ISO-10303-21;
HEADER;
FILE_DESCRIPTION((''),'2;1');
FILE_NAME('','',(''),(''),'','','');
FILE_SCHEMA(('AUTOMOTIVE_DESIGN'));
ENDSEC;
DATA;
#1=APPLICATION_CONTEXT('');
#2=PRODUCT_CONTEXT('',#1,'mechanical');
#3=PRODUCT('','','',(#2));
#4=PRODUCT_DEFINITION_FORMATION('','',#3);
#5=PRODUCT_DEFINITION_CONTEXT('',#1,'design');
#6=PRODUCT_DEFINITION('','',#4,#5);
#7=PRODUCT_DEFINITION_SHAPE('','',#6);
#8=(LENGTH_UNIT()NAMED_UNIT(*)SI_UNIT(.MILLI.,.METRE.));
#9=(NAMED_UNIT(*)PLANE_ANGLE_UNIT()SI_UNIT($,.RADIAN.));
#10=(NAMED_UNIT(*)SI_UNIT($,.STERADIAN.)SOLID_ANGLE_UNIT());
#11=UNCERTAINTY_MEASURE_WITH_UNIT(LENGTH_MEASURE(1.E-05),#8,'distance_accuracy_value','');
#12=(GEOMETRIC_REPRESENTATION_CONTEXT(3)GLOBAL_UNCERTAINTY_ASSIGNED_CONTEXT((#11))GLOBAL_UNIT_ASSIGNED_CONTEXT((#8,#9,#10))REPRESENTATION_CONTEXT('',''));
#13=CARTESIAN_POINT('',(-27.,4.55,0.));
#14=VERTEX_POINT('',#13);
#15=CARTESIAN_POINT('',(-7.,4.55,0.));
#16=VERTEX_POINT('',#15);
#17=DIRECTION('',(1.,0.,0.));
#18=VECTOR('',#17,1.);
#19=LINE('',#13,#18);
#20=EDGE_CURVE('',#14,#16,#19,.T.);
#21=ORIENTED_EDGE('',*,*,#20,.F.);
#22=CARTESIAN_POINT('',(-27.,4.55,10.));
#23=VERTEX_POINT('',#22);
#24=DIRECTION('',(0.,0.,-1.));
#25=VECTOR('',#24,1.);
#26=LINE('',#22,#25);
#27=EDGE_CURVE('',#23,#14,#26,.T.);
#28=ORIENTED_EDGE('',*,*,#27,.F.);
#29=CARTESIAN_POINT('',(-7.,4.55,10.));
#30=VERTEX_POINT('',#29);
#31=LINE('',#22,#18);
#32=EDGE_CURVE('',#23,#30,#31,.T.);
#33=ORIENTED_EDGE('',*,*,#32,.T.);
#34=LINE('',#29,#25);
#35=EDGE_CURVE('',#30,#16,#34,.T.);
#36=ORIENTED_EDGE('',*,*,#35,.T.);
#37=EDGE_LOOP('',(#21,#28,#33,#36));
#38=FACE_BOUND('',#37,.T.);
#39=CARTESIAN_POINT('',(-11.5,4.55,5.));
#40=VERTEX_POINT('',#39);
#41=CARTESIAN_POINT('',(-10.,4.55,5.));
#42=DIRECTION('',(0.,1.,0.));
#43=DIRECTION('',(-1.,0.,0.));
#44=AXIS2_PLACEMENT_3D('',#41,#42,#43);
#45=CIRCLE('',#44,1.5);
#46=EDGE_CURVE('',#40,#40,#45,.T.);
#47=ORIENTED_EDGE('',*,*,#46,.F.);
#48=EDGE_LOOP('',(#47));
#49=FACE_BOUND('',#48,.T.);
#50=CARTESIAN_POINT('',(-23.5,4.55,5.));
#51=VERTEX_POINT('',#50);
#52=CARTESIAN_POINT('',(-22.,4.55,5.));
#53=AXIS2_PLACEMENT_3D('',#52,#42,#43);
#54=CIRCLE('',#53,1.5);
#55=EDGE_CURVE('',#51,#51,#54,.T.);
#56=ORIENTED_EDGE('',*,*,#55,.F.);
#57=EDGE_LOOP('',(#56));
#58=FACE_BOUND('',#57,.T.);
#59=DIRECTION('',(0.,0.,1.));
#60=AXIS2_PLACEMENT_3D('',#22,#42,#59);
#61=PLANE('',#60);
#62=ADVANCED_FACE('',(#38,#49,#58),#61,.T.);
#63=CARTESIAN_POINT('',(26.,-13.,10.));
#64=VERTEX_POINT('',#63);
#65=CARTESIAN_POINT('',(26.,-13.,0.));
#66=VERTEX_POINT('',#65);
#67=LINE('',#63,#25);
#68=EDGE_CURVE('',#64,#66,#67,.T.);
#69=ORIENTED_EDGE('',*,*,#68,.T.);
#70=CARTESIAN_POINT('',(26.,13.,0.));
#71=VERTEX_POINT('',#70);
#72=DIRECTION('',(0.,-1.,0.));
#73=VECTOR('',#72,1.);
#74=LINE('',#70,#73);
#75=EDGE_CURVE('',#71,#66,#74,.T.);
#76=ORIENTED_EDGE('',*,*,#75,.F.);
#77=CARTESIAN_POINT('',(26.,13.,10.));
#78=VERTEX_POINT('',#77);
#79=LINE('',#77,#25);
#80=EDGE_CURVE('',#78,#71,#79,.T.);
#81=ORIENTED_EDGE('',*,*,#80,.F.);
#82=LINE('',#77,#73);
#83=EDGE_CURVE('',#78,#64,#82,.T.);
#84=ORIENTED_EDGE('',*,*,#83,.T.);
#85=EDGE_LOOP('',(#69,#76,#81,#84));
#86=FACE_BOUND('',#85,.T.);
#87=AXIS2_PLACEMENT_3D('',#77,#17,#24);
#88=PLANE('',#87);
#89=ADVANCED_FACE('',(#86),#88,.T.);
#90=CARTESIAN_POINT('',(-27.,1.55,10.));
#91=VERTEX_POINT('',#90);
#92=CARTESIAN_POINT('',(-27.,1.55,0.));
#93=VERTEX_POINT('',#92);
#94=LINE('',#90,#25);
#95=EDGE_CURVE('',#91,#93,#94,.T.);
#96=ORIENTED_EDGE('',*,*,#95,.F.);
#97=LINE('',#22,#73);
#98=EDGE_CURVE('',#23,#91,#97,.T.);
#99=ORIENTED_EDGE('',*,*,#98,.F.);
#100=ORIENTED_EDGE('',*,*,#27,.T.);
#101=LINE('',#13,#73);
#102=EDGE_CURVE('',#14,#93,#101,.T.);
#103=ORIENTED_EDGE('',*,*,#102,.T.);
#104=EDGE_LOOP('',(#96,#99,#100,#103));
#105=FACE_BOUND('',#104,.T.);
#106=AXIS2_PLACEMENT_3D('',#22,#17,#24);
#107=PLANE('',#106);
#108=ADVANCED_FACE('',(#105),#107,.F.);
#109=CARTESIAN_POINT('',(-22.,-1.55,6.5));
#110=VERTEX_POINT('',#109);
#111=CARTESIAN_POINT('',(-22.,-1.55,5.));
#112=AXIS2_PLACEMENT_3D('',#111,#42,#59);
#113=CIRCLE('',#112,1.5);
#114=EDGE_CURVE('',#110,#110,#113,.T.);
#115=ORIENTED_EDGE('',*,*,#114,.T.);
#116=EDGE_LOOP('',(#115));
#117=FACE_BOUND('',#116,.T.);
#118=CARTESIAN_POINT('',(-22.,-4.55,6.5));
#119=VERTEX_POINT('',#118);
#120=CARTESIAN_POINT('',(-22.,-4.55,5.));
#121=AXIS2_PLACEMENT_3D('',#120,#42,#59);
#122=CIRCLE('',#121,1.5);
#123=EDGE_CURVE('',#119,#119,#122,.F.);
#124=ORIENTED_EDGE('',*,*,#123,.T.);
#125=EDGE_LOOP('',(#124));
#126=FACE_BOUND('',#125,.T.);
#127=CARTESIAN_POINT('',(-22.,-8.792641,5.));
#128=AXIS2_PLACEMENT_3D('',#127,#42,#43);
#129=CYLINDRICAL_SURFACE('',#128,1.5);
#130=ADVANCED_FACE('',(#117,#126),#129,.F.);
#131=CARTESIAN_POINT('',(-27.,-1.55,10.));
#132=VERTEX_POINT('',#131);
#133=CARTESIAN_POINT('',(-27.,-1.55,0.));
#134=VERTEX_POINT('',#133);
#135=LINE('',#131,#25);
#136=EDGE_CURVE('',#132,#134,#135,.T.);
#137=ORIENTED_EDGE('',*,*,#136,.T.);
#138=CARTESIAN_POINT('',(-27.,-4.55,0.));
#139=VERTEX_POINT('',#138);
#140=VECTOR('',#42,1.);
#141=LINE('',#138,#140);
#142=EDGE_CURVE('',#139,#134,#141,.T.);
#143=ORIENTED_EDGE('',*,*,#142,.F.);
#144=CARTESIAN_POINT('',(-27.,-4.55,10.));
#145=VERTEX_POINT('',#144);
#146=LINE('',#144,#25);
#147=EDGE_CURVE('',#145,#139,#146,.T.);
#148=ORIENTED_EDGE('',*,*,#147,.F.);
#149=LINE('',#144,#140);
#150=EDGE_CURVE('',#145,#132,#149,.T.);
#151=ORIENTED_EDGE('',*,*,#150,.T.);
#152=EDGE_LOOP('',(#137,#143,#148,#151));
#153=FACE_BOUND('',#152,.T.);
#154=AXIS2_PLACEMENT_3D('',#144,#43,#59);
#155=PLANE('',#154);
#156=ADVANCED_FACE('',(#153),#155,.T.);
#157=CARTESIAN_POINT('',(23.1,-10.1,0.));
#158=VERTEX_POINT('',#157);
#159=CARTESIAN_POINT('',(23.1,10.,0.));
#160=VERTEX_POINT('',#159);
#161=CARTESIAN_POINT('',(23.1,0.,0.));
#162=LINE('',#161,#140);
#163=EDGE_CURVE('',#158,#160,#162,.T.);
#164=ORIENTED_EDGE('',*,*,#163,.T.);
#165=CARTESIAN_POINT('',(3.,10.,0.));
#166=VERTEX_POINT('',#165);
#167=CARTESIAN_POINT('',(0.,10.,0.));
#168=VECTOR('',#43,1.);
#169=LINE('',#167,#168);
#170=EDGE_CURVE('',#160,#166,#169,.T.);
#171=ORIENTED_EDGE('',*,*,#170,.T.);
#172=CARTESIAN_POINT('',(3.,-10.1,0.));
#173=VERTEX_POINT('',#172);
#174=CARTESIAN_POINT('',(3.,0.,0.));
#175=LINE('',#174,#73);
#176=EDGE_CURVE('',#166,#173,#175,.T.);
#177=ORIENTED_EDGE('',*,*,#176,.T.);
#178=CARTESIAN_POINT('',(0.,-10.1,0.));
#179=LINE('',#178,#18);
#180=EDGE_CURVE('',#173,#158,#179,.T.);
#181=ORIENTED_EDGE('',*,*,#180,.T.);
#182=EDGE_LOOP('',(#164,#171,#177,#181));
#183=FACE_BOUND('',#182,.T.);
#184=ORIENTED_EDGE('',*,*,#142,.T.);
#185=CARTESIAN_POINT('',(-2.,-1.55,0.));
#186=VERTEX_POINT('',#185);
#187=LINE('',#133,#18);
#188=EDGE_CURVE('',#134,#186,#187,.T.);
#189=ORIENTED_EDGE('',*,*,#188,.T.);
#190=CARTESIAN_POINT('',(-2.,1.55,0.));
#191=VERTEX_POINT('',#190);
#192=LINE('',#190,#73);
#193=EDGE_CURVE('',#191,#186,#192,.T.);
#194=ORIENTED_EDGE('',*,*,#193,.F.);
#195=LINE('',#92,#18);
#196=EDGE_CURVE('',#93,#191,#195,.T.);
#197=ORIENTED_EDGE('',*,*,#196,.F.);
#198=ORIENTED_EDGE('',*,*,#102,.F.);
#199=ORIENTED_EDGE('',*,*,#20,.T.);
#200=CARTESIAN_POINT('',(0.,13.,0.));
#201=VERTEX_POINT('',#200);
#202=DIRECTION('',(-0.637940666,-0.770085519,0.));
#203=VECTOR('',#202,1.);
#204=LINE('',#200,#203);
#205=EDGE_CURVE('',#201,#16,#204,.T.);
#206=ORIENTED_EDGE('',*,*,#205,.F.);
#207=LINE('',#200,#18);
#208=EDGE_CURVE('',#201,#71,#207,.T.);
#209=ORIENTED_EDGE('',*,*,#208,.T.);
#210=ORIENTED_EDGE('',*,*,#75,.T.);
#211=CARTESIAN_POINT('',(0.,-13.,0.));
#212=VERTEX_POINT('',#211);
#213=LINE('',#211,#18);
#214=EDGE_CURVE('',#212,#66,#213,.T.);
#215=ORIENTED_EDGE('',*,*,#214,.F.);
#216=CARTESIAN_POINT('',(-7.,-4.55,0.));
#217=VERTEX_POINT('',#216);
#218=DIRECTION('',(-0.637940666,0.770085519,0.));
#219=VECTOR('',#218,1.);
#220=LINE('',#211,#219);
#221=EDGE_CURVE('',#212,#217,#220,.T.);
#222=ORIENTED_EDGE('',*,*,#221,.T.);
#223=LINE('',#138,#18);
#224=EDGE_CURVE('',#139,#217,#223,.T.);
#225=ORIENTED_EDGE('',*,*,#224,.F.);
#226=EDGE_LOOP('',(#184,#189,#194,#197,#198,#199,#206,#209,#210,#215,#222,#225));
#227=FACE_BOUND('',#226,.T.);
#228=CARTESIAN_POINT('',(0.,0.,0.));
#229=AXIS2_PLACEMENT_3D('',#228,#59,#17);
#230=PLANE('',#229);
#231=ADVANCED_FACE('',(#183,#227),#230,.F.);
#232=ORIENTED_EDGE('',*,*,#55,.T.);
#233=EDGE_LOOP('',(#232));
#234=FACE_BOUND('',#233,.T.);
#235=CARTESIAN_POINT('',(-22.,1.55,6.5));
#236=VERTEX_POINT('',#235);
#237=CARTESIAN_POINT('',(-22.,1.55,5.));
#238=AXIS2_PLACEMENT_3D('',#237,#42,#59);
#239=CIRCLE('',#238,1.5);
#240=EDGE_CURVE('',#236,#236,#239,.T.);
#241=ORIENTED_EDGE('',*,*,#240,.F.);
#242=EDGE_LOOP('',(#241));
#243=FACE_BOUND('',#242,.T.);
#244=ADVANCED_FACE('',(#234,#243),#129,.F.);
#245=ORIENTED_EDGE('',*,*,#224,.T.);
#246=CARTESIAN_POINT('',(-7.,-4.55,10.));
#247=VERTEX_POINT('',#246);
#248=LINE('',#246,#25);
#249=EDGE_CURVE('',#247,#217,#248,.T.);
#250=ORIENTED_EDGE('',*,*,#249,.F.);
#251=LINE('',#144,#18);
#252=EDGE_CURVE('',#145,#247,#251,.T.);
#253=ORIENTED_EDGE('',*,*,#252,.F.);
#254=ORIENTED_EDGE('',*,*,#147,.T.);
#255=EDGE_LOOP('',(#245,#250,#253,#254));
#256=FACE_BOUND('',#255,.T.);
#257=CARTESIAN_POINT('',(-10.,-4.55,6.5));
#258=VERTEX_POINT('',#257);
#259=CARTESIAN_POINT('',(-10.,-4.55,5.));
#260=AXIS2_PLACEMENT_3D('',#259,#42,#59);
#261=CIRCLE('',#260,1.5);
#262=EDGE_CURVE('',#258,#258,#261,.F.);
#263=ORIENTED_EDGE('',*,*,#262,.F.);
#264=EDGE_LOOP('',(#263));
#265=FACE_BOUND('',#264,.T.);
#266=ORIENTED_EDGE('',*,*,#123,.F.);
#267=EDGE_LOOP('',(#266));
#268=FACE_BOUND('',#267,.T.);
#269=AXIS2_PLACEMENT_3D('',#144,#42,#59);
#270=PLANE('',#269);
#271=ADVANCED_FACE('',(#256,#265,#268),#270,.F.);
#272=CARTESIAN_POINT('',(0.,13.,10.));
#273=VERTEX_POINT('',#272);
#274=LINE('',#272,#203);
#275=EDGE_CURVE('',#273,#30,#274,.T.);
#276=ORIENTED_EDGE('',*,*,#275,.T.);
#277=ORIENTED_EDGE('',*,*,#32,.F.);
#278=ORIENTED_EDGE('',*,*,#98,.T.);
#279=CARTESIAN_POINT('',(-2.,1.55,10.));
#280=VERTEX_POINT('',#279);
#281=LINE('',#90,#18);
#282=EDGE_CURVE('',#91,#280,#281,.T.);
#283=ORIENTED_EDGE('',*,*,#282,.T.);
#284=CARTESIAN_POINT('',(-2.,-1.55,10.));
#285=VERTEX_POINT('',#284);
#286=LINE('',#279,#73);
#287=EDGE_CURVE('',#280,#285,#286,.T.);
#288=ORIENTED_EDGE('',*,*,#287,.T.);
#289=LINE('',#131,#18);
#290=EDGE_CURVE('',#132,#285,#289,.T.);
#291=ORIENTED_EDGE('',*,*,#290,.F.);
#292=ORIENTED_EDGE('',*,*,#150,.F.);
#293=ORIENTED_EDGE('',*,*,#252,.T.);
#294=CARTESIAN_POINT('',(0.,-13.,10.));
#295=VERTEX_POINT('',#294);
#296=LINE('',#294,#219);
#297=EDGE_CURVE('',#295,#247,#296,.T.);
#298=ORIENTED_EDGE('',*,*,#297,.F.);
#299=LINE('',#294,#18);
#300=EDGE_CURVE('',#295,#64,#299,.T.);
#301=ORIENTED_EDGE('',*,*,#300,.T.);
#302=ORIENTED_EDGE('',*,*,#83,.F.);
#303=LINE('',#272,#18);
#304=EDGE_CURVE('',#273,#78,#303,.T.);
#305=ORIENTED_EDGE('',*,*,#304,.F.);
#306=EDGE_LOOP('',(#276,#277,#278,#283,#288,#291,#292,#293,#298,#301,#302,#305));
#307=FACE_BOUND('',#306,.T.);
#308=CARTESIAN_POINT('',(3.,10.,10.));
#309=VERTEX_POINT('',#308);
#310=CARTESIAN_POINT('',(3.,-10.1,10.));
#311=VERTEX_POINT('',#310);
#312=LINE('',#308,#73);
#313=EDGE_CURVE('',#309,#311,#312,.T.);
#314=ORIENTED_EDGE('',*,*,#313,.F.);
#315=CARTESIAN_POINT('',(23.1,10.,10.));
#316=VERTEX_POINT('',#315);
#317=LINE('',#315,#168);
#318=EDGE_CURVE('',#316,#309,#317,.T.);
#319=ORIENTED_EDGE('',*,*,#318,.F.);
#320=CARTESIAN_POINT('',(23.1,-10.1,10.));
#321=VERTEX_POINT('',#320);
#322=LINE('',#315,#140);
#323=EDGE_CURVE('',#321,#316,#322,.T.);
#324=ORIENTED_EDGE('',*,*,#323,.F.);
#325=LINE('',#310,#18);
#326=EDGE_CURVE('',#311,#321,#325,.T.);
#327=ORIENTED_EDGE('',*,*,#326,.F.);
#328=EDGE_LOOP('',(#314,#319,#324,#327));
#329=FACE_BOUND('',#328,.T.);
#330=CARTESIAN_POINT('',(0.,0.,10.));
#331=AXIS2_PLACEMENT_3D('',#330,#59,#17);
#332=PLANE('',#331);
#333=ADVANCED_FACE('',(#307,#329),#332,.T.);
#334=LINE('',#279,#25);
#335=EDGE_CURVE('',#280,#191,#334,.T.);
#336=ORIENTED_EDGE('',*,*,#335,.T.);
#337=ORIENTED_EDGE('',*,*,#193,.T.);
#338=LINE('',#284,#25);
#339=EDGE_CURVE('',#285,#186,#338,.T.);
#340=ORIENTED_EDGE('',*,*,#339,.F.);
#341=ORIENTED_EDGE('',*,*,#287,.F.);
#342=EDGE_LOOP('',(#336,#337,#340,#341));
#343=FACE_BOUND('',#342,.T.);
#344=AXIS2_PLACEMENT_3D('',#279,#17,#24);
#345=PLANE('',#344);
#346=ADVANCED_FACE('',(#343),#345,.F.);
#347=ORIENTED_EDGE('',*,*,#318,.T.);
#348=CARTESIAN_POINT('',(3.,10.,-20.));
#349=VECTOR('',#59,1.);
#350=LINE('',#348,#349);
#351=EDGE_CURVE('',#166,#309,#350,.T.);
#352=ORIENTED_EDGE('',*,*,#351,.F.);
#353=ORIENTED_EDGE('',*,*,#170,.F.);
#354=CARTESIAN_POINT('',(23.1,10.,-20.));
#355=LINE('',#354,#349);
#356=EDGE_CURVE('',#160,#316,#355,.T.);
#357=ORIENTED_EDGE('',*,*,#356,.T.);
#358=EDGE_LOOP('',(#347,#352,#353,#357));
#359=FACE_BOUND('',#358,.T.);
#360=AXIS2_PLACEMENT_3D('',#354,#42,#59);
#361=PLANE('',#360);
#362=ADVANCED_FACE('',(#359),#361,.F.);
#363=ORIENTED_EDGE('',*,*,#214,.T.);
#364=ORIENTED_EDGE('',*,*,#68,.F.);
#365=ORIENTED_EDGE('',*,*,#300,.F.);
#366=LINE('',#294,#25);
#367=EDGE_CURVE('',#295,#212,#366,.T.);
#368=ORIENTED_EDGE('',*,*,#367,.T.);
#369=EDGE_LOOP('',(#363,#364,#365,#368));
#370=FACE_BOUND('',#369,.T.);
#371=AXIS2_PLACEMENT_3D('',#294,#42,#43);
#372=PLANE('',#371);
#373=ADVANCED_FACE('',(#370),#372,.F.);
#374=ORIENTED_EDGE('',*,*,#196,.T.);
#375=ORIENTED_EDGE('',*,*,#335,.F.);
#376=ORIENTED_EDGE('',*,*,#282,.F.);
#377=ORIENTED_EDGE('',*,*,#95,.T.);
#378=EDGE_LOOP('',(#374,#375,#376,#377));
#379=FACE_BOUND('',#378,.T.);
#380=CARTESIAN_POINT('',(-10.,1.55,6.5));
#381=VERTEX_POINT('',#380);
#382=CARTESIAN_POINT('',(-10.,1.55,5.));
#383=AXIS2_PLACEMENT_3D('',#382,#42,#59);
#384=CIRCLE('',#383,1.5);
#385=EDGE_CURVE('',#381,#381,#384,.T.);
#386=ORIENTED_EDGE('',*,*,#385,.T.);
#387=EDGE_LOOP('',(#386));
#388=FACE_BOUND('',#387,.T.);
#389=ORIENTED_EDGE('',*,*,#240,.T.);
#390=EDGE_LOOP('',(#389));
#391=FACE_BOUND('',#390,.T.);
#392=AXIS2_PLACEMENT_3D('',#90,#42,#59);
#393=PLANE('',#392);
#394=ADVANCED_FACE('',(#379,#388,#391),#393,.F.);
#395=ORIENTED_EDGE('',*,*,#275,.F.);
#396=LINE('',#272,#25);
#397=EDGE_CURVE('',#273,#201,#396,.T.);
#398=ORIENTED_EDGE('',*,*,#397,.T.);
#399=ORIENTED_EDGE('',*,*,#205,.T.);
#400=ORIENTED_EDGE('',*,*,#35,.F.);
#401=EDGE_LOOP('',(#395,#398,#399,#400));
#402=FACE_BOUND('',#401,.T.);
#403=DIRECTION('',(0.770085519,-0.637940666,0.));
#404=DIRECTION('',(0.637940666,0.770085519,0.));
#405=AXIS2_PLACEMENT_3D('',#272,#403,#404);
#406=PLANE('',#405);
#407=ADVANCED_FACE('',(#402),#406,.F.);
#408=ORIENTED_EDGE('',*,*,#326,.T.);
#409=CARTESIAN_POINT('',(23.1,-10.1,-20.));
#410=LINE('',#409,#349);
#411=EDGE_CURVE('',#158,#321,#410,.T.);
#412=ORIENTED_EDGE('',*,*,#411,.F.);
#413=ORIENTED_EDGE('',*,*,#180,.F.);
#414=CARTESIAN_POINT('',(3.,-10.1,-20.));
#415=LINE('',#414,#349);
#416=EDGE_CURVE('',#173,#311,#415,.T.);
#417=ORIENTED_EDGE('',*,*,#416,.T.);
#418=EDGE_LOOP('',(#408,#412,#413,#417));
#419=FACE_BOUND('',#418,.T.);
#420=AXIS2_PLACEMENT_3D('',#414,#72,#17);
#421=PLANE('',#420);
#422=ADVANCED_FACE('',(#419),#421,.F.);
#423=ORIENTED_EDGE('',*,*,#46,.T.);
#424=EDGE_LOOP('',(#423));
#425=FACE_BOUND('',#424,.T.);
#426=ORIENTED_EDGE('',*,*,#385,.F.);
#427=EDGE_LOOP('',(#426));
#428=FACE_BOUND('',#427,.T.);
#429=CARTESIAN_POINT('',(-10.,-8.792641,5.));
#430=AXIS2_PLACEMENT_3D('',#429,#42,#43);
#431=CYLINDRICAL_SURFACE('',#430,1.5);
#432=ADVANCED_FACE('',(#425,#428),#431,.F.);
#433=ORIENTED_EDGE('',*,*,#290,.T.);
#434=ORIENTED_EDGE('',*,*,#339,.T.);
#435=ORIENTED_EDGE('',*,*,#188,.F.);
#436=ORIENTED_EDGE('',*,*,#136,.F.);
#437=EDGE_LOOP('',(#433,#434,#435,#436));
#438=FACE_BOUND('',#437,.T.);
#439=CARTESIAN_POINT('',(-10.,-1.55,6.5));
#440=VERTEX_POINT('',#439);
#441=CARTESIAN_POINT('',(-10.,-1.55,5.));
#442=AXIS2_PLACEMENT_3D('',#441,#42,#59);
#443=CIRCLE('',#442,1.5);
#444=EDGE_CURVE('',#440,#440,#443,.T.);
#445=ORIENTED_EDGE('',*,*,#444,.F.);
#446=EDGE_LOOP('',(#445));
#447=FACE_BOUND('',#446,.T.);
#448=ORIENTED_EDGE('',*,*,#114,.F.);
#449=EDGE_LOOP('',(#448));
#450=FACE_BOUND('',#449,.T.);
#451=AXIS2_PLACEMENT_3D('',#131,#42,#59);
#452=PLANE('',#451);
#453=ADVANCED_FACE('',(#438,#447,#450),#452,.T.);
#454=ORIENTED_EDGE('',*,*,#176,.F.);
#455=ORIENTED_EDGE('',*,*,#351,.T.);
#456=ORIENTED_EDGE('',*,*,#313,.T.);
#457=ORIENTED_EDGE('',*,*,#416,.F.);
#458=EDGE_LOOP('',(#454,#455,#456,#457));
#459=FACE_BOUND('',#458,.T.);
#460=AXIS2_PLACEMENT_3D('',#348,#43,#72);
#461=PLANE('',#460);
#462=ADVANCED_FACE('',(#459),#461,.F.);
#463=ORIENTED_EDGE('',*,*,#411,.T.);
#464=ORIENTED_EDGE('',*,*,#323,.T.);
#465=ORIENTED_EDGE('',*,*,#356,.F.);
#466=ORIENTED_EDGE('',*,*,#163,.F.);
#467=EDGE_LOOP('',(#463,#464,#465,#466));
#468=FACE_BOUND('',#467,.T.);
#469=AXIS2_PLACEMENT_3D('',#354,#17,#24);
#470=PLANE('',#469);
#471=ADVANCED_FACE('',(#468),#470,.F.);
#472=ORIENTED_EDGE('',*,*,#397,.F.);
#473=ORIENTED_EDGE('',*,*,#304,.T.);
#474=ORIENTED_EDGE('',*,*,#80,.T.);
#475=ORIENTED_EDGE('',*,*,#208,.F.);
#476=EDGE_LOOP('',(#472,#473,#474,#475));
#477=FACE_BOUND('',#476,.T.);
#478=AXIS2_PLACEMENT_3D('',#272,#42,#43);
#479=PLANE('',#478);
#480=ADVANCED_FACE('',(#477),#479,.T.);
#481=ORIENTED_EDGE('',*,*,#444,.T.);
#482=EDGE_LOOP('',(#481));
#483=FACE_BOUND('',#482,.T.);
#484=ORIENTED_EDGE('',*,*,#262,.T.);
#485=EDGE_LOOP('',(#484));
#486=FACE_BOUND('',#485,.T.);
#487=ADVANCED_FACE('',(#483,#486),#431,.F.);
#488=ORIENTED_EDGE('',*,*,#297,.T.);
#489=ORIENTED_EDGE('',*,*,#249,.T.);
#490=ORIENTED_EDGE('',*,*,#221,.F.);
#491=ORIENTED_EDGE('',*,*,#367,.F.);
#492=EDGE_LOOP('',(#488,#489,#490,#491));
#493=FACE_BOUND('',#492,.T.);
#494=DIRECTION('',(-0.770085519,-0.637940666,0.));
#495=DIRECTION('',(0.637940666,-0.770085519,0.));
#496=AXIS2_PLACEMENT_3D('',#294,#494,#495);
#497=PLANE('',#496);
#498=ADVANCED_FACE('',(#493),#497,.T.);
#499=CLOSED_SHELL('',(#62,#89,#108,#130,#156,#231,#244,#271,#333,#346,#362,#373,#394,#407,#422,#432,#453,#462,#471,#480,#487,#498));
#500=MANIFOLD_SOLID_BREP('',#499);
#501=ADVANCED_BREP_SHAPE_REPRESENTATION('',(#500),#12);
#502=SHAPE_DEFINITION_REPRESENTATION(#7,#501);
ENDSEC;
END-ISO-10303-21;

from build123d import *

# Parameters (mm, degrees)
EXTRUDE_1_DEPTH     = 10
SKETCH_5_W          = 20.1
SKETCH_5_H          = 20.1
CUT_EXTRUDE_1_DEPTH = 30
SKETCH_7_R          = 1.5
CUT_EXTRUDE_5_DEPTH = 9.1


with BuildPart() as part:
    # 草图1 → 凸台-拉伸1 (new body)
    with BuildSketch(Plane.XY):
        Polygon((-27, 4.55), (-27, 1.55), (-2, 1.55), (-2, -1.55), (-27, -1.55), (-27, -4.55), (-7, -4.55), (0, -13), (26, -13), (26, 13), (0, 13), (-7, 4.55), align=None)
    extrude(amount=EXTRUDE_1_DEPTH)

    # 草图5 → 切除-拉伸1 (cut)
    with BuildSketch(Plane.XY.offset(10)):
        with Locations((13.05, -0.05)):
            Rectangle(SKETCH_5_W, SKETCH_5_H)
    extrude(amount=-CUT_EXTRUDE_1_DEPTH, mode=Mode.SUBTRACT)

    # 草图7 → 切除-拉伸5 (cut)
    with BuildSketch(Plane(origin=(0, 4.55, 0), x_dir=(1, 0, 0), z_dir=(0, 1, 0))):
        with Locations((-22, -5)):
            Circle(SKETCH_7_R)
        with Locations((-10, -5)):
            Circle(SKETCH_7_R)
    extrude(amount=-CUT_EXTRUDE_5_DEPTH, mode=Mode.SUBTRACT)


solid = part.part
